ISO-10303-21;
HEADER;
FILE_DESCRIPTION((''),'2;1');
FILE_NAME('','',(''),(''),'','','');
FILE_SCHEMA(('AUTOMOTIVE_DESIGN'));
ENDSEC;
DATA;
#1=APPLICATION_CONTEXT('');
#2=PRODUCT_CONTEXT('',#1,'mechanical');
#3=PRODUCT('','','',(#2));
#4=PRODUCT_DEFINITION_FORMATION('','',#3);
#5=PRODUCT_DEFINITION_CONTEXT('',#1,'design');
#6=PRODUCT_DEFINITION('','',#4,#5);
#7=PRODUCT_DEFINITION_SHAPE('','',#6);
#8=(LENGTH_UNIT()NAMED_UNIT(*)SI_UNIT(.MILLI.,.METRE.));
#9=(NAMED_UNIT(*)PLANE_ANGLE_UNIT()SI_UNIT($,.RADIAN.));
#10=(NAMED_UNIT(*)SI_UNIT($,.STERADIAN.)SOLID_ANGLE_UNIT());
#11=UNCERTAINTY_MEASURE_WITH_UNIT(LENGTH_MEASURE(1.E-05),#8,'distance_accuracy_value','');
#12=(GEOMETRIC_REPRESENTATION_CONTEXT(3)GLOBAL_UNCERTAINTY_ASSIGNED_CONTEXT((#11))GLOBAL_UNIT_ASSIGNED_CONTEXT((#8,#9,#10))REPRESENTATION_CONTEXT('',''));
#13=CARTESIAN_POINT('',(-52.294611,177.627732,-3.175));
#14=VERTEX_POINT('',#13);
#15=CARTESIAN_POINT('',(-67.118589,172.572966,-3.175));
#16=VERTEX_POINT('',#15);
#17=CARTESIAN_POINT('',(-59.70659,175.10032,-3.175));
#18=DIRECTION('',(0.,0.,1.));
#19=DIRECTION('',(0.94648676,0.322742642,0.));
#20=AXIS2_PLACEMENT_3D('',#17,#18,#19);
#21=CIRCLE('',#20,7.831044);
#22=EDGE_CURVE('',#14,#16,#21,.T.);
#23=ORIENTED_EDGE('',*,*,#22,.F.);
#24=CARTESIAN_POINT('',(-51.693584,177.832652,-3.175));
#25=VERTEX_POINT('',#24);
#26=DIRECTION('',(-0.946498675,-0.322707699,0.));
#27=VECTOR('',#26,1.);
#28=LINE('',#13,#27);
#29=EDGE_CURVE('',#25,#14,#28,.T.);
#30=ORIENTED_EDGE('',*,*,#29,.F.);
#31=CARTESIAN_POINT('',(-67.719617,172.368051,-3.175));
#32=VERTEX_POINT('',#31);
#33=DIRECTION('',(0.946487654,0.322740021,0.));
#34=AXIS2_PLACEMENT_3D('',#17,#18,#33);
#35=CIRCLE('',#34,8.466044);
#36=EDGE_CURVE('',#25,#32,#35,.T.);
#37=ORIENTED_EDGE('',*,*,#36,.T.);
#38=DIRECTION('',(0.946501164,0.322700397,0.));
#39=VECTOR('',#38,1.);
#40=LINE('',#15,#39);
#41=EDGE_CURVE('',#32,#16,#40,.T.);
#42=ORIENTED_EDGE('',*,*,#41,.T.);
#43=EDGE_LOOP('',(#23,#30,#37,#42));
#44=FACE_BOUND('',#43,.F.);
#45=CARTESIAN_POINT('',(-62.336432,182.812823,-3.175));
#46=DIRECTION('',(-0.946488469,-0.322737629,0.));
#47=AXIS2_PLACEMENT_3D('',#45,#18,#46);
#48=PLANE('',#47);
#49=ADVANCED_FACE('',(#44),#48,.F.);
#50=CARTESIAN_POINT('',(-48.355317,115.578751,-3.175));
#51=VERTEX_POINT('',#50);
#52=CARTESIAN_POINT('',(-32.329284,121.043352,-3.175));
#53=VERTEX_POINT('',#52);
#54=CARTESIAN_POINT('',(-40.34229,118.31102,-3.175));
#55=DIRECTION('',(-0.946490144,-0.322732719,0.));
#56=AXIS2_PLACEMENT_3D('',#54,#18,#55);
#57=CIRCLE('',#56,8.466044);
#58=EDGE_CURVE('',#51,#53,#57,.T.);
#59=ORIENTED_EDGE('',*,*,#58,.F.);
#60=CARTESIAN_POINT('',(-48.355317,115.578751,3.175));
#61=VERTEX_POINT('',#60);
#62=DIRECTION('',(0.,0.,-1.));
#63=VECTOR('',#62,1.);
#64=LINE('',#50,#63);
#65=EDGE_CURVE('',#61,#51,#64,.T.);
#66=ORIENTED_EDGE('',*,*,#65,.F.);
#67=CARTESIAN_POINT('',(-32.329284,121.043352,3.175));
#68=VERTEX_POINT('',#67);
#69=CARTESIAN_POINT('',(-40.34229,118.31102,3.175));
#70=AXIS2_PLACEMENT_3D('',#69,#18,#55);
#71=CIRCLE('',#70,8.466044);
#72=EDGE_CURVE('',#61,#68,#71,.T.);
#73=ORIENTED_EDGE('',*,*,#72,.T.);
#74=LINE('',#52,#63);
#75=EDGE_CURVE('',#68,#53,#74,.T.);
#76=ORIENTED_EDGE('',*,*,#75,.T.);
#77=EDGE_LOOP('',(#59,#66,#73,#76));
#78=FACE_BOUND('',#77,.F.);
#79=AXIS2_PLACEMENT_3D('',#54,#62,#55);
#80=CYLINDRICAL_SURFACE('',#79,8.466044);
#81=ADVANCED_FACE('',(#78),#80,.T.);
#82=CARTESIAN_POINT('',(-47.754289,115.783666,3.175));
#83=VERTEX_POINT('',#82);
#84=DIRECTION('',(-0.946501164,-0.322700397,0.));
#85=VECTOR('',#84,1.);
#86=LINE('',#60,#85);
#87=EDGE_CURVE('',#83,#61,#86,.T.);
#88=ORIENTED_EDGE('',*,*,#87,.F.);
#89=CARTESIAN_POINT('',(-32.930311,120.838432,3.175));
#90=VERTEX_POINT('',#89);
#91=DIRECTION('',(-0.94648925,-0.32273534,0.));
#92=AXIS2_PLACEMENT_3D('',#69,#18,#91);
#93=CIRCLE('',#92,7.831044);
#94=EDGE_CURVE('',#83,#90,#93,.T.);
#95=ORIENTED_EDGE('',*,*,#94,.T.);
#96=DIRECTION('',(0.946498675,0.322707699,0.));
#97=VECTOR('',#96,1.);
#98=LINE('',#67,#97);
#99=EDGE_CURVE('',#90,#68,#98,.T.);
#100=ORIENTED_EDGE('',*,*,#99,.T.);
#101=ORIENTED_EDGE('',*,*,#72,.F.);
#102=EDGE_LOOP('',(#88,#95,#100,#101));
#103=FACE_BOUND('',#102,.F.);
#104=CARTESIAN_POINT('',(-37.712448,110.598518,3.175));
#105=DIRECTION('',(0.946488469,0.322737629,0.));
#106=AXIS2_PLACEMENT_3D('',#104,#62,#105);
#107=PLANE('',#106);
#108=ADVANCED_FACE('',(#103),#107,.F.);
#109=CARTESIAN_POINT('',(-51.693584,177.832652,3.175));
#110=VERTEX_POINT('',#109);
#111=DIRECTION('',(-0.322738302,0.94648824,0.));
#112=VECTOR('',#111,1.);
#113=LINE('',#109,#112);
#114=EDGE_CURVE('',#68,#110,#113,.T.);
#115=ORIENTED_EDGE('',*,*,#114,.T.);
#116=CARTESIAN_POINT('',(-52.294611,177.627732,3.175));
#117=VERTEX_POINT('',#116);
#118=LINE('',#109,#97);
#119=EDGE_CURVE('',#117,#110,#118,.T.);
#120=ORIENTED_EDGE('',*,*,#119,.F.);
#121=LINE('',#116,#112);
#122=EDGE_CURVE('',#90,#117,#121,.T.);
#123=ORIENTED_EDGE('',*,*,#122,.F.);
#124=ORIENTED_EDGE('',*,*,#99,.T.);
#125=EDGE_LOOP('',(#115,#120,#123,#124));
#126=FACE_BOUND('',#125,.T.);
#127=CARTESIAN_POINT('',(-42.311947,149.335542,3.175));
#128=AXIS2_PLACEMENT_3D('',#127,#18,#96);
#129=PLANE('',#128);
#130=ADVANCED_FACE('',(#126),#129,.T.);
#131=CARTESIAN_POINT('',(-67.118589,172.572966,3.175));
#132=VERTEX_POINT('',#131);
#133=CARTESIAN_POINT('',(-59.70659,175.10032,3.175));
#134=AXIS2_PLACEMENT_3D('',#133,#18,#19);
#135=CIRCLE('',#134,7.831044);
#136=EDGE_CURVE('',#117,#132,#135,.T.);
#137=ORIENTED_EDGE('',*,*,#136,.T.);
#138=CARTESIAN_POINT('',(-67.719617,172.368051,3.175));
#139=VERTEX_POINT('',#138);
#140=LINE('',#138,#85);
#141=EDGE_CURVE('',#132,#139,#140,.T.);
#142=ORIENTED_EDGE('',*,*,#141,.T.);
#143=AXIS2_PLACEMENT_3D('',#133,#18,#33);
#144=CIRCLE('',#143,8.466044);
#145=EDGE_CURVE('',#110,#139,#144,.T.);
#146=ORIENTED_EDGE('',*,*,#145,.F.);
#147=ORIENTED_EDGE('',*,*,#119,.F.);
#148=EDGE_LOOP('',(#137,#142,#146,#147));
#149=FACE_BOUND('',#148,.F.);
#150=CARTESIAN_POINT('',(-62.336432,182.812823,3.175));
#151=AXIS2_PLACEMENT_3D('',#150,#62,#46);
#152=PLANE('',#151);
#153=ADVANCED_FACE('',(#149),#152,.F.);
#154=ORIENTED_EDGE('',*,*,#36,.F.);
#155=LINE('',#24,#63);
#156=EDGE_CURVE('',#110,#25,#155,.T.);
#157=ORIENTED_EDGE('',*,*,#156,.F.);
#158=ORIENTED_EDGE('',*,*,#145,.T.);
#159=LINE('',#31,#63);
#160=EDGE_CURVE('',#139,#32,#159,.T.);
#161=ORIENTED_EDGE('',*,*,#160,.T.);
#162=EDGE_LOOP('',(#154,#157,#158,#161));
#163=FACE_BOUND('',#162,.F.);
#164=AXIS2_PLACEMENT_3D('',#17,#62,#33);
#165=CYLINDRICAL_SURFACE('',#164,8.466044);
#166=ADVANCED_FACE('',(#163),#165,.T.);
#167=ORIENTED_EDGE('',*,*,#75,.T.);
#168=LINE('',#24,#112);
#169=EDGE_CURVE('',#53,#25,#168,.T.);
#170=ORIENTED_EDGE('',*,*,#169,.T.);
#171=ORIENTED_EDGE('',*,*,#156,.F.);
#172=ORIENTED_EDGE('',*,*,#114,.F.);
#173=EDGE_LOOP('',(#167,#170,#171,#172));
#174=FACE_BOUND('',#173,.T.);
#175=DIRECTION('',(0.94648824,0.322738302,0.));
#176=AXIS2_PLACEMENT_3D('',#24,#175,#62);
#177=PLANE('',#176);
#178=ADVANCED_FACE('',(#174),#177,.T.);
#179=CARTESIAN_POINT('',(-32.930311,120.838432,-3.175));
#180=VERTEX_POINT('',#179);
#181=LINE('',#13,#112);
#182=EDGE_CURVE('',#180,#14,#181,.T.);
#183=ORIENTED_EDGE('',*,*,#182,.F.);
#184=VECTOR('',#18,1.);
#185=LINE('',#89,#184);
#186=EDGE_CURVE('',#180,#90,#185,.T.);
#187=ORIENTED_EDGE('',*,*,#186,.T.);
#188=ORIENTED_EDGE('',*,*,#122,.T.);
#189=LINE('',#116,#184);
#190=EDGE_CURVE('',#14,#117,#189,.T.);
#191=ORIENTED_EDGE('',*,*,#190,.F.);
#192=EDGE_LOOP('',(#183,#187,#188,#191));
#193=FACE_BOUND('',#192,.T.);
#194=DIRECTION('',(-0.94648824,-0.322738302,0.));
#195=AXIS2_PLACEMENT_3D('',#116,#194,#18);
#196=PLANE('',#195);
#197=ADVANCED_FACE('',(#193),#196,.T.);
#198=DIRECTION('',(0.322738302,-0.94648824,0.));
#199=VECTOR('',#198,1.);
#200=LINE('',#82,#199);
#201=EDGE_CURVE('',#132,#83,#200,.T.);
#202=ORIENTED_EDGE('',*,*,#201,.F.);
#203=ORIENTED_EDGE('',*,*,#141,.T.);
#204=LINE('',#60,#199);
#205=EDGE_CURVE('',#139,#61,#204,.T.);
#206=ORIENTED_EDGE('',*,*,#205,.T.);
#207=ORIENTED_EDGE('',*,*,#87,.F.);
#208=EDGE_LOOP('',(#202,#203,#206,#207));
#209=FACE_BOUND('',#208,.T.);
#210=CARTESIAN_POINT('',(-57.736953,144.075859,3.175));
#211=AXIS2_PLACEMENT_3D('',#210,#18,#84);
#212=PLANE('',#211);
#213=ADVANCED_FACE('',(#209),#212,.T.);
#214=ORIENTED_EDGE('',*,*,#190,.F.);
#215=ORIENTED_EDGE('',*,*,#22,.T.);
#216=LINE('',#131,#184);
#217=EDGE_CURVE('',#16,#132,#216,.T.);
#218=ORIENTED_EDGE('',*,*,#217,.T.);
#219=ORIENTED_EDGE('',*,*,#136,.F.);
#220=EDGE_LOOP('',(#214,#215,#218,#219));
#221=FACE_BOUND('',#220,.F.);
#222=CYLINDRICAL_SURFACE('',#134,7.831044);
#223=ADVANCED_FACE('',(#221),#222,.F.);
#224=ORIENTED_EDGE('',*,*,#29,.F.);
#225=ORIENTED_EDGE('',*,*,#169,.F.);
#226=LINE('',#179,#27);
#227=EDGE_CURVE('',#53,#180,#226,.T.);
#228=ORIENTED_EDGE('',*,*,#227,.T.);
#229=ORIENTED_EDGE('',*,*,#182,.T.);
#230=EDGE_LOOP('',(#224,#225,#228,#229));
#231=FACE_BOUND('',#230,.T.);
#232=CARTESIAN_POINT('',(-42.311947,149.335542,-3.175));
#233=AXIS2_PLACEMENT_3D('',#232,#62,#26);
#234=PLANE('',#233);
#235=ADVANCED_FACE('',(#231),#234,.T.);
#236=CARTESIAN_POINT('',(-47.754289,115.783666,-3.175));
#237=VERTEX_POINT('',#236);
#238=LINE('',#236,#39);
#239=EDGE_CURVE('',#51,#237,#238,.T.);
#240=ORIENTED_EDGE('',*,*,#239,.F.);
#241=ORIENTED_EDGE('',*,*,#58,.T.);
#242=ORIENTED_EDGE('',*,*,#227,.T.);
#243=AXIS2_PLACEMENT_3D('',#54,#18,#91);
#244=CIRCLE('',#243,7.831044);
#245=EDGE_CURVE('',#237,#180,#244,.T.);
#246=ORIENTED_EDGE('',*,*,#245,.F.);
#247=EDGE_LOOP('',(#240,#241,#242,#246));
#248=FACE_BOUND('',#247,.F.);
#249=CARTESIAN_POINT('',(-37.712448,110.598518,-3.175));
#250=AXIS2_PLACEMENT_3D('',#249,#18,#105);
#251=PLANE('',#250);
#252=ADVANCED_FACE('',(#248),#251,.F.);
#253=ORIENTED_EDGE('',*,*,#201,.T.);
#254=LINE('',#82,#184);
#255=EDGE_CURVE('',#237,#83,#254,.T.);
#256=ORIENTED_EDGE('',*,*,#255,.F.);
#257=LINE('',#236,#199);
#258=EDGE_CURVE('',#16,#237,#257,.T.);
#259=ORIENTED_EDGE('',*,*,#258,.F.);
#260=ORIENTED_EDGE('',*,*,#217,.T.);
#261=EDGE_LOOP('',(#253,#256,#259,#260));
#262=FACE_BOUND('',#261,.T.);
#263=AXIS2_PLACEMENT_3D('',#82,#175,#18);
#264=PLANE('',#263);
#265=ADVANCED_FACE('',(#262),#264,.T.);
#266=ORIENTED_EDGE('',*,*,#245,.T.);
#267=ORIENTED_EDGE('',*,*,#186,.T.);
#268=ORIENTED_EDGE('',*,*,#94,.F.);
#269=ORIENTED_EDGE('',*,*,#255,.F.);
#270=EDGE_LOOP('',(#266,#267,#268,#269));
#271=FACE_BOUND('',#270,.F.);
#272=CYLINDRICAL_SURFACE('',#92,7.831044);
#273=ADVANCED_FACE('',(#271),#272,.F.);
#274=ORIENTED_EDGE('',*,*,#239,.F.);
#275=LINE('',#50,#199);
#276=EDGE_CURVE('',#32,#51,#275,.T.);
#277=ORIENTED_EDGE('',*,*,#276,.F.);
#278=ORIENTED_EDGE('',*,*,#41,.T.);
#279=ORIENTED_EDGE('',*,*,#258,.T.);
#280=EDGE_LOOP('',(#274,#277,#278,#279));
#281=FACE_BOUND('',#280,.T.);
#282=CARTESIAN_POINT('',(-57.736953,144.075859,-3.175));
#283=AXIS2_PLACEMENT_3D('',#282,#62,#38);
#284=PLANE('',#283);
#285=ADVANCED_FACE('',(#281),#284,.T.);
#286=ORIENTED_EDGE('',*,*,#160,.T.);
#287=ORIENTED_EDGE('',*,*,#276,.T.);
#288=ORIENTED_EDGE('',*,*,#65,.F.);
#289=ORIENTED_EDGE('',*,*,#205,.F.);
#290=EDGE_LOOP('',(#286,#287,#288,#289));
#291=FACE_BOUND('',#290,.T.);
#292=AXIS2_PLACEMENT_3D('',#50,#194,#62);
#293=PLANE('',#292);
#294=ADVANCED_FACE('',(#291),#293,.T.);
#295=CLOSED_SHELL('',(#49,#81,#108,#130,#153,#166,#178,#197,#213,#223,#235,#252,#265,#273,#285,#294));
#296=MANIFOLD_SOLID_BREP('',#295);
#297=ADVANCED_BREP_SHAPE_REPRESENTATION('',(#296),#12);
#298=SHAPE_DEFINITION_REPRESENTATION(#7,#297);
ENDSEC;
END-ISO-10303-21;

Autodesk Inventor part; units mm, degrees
sketch "Sketch Path" plane through (0, 0, 0) normal (0, 0, 1) x (1, 0, 0)
  arc A0 (-52.0542, 177.7097) -> (-67.359, 172.491) centre (-59.7066, 175.1003) ccw
  arc A1 (-47.9947, 115.7017) -> (-32.6899, 120.9204) centre (-40.3423, 118.311) ccw
  line L0 (-47.9947, 115.7017) -> (-67.359, 172.491)
  line L1 (-52.0542, 177.7097) -> (-32.6899, 120.9204)
ref_plane "Cross Section Plane" through (-67.359, 172.491, 0) normal (0.3227, -0.9465, 0) x (0, 0, 1)
ref_plane "Work Plane2" through (-59.7066, 175.1003, 0) normal (-1, 0, 0) x (0, 0, 1)
ref_plane "Work Plane3" through (-40.3423, 118.311, 0) normal (-0.1942, 0.981, 0) x (0, 0, 1)
sketch "Cross Section" plane through (-67.359, 172.491, 0) normal (0.3227, -0.9465, 0) x (0, 0, 1)
  line L0 (-3.175, 0.381) -> (3.175, 0.381)
  line L1 (3.175, 0.381) -> (3.175, -0.254)
  line L2 (3.175, -0.254) -> (-3.175, -0.254)
  line L3 (-3.175, -0.254) -> (-3.175, 0.381)
  line L4 (-3.175, 0) -> (3.175, 0) construction
  point P0 (0, 0)
  point P1 (0, 0)
  dimension "d0" = 6.35
  dimension "d4" = 0.254
  dimension "d5" = 0.381
sweep "Belt" add profiles "Cross Section" path "Sketch Path"
equation "\"d0\" = da_B"
equation "\"d4\" = da_a"
equation "\"d5\" = da_a2"
equation "\"da_B\" = 6.35"
equation "\"da_pb\" = 2.032"
equation "\"da_L\" = 170.8"
equation "\"da_a\" = 0.254"
equation "\"da_S\" = 1.143"
equation "\"da_Beta\" = 20deg"
equation "\"da_Ht\" = 0.508"
equation "\"da_H\" = 1.143"
equation "\"da_a2\" = 0.381"
properties part number "Synchronous Belt" material "Rubber"
